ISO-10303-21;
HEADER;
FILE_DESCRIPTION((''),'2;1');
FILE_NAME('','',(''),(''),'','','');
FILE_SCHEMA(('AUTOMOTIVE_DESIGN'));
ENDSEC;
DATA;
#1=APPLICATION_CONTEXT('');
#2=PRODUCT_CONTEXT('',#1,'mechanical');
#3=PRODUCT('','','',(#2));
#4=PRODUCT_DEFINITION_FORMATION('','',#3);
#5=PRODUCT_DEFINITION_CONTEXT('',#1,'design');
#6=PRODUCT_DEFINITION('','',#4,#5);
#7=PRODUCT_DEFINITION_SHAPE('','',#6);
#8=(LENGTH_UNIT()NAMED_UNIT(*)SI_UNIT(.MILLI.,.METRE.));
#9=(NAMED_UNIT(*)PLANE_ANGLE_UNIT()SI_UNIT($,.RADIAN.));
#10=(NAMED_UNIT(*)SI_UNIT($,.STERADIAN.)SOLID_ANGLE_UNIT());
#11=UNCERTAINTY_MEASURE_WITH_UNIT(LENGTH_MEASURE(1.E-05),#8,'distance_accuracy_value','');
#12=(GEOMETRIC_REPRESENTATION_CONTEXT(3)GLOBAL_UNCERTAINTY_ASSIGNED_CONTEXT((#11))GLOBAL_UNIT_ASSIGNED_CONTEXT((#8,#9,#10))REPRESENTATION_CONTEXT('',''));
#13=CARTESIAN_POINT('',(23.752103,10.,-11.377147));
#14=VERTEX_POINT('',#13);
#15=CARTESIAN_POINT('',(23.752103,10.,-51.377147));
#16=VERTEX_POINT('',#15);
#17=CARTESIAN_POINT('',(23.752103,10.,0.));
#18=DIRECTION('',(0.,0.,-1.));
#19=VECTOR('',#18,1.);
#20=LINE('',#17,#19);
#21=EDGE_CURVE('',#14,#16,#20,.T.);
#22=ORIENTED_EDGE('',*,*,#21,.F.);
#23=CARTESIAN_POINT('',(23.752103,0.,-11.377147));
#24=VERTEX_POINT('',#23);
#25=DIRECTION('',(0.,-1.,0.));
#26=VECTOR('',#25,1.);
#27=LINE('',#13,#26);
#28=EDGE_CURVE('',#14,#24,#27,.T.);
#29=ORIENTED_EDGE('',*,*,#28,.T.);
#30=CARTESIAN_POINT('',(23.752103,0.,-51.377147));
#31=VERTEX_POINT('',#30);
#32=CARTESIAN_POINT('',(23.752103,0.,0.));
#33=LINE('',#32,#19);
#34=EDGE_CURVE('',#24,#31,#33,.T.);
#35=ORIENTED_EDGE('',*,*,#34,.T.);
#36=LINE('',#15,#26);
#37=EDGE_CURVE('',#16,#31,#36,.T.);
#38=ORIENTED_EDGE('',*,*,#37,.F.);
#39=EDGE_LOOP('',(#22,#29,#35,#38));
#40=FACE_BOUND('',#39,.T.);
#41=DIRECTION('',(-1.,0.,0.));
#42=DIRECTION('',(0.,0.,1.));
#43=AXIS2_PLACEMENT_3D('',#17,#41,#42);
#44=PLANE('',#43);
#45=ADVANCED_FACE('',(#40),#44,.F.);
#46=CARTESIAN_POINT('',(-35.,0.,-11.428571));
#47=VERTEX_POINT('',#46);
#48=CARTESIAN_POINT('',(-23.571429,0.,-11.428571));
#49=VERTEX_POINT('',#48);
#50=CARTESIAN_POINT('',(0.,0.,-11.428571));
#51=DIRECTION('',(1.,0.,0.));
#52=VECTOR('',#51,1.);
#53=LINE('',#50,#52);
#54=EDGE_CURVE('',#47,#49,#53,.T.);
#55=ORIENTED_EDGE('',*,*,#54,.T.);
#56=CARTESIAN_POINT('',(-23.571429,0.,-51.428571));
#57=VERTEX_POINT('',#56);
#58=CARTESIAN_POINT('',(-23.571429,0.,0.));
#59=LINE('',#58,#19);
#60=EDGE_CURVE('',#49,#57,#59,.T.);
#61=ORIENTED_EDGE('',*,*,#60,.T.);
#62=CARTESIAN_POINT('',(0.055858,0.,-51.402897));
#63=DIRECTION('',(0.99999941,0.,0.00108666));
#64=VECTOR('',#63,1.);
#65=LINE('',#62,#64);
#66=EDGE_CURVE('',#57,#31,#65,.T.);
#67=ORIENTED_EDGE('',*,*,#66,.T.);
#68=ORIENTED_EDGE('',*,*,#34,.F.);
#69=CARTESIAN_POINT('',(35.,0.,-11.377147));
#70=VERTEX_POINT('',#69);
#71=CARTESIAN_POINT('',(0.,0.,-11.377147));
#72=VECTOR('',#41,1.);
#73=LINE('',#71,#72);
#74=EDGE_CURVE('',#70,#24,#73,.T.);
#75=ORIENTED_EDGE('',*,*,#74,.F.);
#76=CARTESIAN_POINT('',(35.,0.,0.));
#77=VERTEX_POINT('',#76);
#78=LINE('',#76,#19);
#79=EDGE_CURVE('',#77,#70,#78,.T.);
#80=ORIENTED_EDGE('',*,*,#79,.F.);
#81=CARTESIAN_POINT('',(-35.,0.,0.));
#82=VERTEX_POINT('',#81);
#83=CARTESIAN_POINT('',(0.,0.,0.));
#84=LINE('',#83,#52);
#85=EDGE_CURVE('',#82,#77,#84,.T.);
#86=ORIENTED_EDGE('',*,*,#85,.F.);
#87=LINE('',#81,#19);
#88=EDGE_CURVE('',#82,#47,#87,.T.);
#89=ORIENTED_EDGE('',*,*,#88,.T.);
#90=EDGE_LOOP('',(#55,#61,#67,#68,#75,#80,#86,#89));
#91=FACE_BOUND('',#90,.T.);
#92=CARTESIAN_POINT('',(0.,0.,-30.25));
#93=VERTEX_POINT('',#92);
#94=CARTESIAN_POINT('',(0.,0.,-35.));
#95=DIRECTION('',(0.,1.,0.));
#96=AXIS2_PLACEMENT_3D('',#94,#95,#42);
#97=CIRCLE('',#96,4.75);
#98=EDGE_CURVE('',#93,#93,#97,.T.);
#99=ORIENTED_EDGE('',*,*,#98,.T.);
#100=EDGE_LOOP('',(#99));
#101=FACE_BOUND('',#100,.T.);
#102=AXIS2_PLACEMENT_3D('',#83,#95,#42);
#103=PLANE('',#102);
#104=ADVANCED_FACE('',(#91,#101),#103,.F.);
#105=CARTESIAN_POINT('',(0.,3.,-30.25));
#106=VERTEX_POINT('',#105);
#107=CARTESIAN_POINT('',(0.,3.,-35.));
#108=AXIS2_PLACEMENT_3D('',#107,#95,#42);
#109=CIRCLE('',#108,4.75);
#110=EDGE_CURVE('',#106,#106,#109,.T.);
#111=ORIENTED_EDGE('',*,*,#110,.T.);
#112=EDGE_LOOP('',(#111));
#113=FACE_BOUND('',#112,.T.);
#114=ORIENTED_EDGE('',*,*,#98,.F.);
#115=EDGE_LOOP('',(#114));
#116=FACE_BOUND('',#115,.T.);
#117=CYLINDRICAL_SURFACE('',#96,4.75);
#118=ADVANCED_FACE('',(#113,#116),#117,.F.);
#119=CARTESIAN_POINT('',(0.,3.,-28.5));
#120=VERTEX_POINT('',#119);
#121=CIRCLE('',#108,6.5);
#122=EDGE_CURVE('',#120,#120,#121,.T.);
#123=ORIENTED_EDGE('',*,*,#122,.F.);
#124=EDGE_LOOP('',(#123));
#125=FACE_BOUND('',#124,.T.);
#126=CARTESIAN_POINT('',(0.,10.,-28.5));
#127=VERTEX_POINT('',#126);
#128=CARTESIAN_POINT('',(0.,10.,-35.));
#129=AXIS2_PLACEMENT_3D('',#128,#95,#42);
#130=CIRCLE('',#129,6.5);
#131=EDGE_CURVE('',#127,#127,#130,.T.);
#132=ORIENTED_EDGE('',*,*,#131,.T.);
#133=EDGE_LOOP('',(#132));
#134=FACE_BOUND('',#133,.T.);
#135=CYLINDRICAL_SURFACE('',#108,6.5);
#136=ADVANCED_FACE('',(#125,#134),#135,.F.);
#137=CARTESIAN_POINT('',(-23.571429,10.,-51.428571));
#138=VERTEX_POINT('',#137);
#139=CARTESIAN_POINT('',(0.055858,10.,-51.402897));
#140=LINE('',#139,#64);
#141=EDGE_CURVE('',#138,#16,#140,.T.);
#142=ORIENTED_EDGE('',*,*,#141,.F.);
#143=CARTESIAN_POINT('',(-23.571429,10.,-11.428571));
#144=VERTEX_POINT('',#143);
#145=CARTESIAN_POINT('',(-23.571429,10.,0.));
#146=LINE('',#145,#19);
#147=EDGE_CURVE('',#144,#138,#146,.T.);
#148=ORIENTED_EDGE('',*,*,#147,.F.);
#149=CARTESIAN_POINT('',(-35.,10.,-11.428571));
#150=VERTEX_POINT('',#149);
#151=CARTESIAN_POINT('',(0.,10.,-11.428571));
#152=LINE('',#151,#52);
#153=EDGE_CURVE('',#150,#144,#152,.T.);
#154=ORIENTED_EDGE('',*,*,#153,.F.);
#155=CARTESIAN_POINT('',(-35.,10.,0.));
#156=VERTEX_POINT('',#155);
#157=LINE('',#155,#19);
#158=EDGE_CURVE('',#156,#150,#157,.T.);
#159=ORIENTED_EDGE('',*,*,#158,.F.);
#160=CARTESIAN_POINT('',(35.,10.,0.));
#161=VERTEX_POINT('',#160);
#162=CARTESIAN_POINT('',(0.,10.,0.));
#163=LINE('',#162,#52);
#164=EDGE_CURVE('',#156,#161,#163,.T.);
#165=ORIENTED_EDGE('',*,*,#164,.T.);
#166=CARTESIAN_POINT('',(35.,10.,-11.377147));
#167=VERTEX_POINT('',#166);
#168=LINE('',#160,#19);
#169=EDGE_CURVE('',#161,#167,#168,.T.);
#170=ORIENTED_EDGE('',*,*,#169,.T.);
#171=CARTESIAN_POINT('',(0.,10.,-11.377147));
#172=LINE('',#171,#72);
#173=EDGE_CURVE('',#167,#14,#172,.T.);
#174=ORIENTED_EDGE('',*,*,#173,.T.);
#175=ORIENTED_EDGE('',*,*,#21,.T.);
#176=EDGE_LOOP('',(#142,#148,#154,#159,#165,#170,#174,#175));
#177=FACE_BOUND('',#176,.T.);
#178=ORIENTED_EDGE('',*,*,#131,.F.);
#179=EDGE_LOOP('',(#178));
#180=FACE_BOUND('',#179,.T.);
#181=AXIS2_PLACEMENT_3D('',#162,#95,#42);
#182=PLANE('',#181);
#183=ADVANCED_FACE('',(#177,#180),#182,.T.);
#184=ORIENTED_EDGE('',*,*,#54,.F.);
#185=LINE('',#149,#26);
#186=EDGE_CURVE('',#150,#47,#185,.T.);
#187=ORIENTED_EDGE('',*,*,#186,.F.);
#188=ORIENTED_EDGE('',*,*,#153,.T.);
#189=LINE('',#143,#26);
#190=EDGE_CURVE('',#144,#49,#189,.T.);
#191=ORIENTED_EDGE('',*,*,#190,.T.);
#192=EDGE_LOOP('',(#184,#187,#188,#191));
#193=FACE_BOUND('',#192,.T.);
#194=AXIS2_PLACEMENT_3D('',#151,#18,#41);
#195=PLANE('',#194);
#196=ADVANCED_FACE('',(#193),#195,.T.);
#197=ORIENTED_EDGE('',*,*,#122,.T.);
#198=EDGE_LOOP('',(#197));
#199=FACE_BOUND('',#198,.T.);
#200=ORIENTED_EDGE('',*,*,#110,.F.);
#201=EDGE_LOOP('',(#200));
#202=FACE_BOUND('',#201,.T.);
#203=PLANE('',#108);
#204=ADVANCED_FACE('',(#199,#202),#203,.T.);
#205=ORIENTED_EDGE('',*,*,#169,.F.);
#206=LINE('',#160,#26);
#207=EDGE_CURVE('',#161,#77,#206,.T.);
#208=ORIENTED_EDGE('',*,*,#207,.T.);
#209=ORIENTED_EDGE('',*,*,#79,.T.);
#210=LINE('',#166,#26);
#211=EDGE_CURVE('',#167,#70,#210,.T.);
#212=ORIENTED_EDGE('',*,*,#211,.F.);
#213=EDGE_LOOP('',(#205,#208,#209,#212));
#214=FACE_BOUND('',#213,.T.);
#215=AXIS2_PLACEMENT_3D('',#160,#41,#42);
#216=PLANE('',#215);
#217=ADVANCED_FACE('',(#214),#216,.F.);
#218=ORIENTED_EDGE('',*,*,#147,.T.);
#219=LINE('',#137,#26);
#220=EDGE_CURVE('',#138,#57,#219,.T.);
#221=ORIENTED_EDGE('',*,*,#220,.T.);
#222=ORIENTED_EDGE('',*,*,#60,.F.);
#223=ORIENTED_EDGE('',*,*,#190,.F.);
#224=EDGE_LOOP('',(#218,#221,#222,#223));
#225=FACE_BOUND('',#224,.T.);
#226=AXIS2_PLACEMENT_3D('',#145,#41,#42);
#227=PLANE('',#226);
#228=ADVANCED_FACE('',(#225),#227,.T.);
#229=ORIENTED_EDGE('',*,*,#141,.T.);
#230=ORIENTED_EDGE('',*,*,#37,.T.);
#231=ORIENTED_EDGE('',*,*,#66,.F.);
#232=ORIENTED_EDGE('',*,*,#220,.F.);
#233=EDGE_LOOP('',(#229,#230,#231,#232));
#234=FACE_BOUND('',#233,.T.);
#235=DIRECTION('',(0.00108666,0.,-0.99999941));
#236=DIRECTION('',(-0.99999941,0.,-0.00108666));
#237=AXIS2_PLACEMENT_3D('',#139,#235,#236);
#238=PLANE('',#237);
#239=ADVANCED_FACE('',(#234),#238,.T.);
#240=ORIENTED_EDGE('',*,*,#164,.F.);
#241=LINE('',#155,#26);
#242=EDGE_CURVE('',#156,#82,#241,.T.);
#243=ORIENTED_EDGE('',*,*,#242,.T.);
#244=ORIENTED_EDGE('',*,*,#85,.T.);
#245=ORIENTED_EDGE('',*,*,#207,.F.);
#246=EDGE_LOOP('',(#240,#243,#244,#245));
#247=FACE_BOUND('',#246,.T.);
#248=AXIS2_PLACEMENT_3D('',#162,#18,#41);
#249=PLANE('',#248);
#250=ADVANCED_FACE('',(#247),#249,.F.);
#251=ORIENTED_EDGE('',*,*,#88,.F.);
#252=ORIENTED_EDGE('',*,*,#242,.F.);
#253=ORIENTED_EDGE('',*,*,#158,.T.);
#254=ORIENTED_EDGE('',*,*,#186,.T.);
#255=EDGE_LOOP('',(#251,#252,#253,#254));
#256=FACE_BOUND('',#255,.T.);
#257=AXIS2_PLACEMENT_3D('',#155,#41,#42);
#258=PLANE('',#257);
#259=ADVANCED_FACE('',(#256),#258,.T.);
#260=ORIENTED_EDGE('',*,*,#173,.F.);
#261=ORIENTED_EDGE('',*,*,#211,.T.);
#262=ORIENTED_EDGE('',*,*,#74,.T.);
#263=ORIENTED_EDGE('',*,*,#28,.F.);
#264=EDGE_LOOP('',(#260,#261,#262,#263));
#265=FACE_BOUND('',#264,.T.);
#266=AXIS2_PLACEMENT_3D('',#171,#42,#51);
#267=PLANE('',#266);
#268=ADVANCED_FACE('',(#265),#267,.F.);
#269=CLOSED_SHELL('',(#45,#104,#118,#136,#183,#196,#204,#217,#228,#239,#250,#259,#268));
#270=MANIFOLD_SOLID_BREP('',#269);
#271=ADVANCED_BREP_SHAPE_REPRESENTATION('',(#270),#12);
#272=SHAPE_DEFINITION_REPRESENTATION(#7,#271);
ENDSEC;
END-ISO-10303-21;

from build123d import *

# Parameters (mm, degrees)
BOSS_EXTRUDE1_DEPTH = 10
SKETCH2_R           = 6.5
CUT_EXTRUDE2_DEPTH  = 7
SKETCH5_R           = 4.75
CUT_EXTRUDE3_DEPTH  = 63.601101901


with BuildPart() as part:
    # Sketch1 → Boss-Extrude1 (new body)
    with BuildSketch(Plane(origin=(0, 0, 0), x_dir=(1, 0, 0), z_dir=(0, 1, 0))):
        Polygon((-23.571428571, 51.428571429), (23.752103043, 51.377146806), (23.752103043, 11.377146806), (35, 11.377146806), (35, 0), (-35, 0), (-35, 11.428571429), (-23.571428571, 11.428571429), align=None)
    extrude(amount=BOSS_EXTRUDE1_DEPTH)

    # Sketch2 → Cut-Extrude2 (cut)
    with BuildSketch(Plane(origin=(0, 10, 0), x_dir=(1, 0, 0), z_dir=(0, 1, 0))):
        with Locations(Location((0, 35, 0), (0, 0, 270))):
            Circle(SKETCH2_R)
    extrude(amount=-CUT_EXTRUDE2_DEPTH, mode=Mode.SUBTRACT)

    # Sketch5 → Cut-Extrude3 (cut, through all)
    with BuildSketch(Plane(origin=(0, 3, 0), x_dir=(1, 0, 0), z_dir=(0, 1, 0))):
        with Locations(Location((0, 35, 0), (0, 0, 270))):
            Circle(SKETCH5_R)
    extrude(amount=-CUT_EXTRUDE3_DEPTH, mode=Mode.SUBTRACT)


solid = part.part
